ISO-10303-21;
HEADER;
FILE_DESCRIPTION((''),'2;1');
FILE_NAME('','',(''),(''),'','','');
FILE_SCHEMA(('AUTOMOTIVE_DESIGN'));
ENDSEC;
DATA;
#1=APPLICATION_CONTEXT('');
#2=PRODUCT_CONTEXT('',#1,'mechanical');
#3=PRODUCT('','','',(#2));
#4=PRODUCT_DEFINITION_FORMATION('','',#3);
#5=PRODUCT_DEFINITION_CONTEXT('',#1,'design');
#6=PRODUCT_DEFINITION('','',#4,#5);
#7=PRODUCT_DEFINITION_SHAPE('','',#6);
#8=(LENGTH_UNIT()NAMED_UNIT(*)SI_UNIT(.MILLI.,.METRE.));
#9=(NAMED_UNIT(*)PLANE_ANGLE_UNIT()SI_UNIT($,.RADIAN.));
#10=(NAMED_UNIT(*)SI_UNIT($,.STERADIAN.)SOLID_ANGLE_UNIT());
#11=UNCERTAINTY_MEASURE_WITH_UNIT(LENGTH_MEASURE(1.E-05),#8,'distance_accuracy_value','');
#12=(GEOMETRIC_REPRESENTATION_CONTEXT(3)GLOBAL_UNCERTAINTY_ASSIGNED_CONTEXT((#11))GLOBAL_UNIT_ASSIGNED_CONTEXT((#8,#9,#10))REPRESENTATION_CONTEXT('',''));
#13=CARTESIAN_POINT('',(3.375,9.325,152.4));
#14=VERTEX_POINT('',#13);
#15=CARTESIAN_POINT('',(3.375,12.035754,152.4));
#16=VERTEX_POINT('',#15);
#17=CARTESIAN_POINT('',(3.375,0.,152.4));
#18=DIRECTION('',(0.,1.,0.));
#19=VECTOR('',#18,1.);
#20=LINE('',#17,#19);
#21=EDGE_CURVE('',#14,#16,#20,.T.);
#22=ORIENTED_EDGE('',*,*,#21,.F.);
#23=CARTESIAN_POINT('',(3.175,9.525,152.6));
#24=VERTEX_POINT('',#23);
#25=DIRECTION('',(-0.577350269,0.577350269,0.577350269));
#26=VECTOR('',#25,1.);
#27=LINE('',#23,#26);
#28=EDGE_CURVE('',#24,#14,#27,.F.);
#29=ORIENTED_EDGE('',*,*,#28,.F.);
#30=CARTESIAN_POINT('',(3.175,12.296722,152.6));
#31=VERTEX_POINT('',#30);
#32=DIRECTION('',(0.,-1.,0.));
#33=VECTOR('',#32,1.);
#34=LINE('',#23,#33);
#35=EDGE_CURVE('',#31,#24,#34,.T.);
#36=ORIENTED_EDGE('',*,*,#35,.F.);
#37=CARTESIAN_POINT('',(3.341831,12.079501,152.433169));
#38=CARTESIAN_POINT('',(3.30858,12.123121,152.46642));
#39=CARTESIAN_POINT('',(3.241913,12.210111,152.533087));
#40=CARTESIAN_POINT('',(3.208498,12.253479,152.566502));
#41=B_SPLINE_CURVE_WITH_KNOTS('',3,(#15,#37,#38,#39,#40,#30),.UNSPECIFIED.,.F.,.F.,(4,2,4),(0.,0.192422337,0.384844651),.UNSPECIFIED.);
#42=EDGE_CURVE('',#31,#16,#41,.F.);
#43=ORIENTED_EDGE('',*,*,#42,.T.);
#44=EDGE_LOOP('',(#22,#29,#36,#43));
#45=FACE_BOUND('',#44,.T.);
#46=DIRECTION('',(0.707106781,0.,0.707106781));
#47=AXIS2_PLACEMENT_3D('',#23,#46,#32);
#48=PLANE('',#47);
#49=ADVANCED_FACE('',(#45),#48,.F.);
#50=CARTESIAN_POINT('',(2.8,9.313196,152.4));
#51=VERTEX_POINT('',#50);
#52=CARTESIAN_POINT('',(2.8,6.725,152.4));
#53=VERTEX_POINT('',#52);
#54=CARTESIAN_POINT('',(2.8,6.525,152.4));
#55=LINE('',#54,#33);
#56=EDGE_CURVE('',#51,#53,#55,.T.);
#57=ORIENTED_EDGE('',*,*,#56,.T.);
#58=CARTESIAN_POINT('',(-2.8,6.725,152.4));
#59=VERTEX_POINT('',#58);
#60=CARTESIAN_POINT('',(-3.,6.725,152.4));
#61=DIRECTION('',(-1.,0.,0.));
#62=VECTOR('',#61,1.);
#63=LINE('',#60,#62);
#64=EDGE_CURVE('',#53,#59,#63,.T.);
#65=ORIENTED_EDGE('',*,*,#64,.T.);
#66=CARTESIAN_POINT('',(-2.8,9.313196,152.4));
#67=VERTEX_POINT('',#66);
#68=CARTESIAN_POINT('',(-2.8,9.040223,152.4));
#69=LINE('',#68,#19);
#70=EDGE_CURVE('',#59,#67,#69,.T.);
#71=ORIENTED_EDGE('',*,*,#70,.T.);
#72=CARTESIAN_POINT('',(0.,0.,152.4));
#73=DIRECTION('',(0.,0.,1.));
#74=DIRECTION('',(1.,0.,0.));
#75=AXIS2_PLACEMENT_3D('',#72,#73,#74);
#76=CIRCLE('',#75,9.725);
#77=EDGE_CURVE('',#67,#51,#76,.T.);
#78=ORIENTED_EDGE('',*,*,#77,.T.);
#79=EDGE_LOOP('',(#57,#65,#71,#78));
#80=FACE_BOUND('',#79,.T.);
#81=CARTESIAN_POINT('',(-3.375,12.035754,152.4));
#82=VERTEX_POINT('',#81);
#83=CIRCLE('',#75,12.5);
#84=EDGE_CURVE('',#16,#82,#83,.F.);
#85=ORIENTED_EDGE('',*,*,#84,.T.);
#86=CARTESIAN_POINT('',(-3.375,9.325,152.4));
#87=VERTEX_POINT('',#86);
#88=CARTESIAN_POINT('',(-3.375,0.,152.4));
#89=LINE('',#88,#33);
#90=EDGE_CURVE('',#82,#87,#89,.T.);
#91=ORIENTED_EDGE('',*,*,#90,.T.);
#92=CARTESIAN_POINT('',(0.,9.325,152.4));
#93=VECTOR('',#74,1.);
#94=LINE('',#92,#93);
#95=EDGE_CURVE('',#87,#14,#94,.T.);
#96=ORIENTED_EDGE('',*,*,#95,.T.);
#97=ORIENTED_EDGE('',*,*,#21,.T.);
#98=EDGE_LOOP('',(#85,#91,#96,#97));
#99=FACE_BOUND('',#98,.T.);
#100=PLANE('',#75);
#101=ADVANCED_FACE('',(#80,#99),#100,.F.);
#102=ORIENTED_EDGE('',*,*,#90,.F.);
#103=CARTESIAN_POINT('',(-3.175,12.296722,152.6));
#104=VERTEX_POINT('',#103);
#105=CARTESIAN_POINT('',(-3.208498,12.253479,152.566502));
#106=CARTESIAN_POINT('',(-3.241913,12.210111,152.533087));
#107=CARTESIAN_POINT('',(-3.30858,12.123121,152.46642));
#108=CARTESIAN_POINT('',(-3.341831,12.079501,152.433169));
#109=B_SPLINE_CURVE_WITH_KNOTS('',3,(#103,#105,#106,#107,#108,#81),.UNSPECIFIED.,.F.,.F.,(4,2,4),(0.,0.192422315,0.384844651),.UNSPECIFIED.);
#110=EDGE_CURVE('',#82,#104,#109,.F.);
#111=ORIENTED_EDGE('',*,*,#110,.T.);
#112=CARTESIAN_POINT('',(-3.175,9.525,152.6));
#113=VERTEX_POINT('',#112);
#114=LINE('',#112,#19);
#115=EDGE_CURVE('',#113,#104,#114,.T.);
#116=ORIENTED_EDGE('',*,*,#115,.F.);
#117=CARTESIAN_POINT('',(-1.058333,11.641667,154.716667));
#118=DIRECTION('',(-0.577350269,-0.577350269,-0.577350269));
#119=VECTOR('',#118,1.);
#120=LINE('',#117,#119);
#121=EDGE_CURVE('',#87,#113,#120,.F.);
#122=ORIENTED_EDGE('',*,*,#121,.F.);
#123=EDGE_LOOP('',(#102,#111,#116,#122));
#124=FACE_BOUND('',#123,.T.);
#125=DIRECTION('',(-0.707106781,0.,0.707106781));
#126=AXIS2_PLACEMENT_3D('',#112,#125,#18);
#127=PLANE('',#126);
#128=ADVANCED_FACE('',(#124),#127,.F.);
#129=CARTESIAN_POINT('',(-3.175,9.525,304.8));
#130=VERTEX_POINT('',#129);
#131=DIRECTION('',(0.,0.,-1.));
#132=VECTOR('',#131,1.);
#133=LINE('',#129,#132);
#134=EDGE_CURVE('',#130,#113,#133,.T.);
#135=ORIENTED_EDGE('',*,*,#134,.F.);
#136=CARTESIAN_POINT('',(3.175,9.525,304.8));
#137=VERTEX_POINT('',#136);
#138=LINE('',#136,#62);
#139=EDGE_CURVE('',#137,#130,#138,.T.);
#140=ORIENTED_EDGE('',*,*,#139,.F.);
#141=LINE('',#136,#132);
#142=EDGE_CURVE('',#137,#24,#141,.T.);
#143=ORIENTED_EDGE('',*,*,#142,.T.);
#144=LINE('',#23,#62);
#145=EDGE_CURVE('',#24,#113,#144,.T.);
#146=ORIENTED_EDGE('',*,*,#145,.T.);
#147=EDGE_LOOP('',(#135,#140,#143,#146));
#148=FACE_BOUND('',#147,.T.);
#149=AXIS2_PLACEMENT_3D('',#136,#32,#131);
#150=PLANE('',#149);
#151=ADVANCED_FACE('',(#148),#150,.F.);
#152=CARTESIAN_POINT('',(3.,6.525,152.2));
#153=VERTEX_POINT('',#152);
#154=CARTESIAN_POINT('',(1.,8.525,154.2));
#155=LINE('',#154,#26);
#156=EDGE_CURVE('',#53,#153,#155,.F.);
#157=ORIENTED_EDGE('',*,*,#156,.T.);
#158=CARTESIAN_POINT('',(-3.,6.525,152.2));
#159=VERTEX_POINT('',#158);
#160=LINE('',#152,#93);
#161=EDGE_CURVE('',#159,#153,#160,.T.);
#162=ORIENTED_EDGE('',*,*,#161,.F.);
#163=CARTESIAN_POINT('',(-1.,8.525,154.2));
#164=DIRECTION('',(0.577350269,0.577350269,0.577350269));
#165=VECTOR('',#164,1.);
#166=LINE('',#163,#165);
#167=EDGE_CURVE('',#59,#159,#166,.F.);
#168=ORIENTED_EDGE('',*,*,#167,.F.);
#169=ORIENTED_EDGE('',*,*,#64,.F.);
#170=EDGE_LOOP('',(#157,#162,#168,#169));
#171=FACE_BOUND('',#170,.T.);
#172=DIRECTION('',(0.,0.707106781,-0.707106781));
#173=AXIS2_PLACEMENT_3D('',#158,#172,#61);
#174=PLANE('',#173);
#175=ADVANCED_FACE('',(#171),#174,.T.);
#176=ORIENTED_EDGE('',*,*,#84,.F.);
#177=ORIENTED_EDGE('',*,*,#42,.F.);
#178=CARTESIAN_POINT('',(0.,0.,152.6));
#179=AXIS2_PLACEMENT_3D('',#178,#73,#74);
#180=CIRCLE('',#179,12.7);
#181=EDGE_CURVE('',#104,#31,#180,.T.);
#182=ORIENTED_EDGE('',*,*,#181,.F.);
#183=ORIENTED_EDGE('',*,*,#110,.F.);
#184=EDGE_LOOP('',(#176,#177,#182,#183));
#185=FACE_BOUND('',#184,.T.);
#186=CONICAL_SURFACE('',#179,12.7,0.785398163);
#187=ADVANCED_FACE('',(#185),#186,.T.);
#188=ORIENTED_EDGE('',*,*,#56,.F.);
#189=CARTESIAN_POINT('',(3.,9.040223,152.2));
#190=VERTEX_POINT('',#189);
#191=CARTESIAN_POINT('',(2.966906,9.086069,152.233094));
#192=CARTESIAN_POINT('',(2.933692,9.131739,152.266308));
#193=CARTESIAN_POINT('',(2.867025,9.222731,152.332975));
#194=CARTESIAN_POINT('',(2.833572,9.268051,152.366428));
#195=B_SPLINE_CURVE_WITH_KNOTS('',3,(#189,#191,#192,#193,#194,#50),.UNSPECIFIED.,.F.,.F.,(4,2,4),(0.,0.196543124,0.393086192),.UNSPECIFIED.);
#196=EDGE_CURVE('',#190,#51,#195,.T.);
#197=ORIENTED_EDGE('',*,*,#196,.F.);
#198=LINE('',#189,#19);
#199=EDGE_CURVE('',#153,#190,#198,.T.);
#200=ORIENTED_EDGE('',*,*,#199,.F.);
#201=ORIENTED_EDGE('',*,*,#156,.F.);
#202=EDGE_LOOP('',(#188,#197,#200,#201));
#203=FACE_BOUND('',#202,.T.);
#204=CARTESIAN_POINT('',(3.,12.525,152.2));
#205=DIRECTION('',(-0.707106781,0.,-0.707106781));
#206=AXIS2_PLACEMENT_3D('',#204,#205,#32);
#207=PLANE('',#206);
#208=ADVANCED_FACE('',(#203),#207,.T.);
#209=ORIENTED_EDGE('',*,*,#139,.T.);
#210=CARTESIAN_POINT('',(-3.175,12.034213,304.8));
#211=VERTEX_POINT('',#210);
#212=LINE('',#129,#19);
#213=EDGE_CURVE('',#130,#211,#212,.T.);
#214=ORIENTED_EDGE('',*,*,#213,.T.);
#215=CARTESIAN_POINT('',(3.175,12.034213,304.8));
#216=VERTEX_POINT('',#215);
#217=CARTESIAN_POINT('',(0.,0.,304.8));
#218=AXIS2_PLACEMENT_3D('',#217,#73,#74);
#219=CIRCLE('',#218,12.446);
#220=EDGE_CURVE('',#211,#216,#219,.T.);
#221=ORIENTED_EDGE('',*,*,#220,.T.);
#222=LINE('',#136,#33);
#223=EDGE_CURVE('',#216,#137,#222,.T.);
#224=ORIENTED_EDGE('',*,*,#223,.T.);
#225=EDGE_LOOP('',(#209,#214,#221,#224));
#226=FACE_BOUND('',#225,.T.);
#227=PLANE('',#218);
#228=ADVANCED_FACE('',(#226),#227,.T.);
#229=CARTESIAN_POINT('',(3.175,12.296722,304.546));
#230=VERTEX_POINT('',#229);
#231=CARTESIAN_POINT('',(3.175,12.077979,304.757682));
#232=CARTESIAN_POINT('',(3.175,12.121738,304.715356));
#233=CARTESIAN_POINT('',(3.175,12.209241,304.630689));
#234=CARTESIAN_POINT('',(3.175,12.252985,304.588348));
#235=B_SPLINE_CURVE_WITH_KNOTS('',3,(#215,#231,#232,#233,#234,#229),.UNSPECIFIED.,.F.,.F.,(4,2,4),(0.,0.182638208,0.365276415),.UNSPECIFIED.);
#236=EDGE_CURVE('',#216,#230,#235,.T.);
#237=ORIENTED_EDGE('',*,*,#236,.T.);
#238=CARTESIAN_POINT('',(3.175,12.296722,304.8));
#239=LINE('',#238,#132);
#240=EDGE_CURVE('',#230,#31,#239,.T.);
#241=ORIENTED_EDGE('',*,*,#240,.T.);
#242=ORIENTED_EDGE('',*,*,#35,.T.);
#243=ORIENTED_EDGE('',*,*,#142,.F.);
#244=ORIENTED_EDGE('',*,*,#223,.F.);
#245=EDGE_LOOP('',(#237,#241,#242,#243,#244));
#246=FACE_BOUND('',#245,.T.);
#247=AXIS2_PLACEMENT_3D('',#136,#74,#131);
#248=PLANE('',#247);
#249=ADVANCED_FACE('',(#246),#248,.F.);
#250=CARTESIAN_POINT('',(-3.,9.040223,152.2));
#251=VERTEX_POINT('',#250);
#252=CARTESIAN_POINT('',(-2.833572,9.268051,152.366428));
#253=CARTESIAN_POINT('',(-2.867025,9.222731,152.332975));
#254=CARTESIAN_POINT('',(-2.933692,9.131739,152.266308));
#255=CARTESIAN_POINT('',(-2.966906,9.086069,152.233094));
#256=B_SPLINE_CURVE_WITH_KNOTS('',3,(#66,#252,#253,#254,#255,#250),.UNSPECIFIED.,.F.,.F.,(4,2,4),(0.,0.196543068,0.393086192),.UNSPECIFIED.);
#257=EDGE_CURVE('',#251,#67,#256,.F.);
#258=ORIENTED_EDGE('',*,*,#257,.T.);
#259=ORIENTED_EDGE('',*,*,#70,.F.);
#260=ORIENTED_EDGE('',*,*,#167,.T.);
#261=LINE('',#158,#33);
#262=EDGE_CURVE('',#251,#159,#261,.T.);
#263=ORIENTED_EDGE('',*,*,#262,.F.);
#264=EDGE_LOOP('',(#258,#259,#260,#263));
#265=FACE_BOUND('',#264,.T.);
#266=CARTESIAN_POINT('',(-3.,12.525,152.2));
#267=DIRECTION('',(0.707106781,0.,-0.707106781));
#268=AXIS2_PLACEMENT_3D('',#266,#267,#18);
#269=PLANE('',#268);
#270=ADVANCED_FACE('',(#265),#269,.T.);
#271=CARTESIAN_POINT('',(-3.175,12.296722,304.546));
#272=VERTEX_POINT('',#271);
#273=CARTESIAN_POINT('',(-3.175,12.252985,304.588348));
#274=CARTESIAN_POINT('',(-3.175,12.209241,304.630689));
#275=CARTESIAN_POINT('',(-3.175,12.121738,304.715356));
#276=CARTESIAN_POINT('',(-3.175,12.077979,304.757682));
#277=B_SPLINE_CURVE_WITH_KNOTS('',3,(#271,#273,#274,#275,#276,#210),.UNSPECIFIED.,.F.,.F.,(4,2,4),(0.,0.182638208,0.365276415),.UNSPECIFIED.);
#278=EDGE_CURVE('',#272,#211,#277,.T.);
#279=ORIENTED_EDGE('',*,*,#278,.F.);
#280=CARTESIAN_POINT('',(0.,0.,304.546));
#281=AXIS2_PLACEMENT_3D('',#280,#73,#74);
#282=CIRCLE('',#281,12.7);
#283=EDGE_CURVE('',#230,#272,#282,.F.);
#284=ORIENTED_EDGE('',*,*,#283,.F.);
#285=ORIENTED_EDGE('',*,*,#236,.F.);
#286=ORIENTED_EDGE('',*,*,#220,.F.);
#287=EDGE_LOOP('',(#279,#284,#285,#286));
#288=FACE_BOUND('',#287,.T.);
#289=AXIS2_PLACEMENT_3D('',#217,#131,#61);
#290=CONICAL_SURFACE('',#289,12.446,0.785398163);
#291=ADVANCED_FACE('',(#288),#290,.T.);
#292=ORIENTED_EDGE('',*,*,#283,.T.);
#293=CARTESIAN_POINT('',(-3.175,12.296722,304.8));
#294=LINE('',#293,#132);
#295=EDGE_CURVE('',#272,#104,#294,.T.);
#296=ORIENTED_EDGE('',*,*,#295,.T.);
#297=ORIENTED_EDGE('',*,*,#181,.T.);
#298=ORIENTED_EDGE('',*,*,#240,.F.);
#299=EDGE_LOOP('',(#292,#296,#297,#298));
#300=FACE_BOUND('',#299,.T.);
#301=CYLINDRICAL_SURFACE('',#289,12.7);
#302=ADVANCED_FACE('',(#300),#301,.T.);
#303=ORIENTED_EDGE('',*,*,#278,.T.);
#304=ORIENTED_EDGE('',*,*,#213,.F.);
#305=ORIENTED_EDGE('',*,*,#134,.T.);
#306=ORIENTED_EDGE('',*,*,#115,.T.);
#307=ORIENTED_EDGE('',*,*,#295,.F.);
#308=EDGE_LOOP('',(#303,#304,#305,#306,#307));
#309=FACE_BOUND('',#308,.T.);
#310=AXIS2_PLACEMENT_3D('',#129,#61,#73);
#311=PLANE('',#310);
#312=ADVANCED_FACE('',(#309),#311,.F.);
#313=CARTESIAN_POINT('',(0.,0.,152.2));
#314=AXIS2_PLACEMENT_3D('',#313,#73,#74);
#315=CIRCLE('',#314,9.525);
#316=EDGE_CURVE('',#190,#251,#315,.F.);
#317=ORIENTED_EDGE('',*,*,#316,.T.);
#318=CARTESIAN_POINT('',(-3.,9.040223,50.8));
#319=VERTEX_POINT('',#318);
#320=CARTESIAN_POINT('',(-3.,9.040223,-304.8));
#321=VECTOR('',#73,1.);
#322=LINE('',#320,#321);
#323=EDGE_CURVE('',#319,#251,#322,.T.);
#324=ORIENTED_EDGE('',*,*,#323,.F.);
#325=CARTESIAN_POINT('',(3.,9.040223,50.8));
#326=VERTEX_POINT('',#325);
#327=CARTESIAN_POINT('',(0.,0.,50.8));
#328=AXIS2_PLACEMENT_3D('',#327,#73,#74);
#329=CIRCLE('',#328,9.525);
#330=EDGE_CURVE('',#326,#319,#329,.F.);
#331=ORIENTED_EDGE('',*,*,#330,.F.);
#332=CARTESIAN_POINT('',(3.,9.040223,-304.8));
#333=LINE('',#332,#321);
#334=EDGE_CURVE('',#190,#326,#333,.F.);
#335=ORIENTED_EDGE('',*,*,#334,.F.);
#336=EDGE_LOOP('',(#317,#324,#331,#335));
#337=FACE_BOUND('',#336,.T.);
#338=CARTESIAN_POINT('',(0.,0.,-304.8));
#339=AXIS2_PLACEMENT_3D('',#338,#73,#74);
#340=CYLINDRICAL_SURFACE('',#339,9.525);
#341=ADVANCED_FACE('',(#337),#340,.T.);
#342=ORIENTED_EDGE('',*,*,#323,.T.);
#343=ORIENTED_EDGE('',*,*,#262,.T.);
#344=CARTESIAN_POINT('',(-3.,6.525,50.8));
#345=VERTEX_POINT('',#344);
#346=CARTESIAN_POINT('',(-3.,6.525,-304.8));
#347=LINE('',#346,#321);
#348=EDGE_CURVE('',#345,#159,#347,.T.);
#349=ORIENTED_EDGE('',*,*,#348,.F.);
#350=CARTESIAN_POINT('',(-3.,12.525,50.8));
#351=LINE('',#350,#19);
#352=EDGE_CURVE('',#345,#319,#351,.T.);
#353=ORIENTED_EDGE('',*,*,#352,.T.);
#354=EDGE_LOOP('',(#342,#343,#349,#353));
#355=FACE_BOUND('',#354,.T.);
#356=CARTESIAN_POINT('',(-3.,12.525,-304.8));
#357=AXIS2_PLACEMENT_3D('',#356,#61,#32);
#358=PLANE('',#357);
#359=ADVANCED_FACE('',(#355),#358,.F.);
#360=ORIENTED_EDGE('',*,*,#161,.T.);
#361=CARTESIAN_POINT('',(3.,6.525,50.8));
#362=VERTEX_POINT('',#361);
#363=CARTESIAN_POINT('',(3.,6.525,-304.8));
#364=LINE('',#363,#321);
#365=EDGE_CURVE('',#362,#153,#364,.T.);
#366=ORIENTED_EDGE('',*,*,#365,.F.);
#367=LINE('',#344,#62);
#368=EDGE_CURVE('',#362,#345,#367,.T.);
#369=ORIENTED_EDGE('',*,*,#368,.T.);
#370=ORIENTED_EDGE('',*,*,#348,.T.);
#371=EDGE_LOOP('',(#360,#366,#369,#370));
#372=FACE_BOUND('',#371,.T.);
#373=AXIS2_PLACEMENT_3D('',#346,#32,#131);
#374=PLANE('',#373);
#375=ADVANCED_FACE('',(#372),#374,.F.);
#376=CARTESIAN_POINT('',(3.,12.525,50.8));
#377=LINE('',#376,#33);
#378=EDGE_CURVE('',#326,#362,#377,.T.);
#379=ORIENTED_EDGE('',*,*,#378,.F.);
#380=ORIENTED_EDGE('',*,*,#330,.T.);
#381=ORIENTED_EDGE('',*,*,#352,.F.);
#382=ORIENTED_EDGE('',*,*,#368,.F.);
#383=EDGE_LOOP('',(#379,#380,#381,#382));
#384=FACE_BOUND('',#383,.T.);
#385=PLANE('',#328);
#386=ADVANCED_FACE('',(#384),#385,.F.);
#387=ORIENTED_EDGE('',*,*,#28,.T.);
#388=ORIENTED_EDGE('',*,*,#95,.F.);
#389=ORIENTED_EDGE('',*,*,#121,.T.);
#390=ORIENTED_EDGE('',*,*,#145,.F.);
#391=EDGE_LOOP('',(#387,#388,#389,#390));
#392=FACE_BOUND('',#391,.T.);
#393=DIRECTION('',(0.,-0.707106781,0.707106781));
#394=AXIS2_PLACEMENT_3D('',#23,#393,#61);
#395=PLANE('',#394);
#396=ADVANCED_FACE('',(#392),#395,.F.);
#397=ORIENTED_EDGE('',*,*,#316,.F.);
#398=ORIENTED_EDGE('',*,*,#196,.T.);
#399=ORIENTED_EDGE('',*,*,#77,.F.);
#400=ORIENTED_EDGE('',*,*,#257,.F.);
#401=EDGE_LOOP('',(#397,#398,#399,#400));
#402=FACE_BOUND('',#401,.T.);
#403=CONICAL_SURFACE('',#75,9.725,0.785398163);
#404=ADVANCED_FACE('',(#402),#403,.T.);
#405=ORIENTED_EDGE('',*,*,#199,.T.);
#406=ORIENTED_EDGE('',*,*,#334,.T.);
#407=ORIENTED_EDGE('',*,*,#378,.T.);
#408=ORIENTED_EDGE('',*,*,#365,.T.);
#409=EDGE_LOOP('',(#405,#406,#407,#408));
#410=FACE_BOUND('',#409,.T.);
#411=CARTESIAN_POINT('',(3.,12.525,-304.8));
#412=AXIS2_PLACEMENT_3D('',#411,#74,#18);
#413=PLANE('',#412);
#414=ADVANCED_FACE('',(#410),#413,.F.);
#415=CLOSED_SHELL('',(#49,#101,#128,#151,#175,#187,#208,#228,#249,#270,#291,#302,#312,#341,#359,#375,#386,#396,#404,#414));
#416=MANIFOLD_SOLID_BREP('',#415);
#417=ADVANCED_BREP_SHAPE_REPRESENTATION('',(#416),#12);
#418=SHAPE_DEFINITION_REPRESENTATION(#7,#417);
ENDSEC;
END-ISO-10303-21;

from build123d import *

# Parameters (mm, degrees)
BOSS_EXTRUDE1_DEPTH      = 304.8
BOSS_EXTRUDE1_DEPTH_BACK = 304.8
CHAMFER1_SIZE            = 0.254
SKETCH5_R                = 12.7
SKETCH5_R_2              = 9.525
CUT_EXTRUDE1_DEPTH       = 458.55264178
SKETCH6_W                = 6
SKETCH6_H                = 6
CUT_EXTRUDE2_DEPTH       = 458.55264178
CHAMFER2_SIZE            = 0.2
SKETCH7_R                = 63.5
CUT_EXTRUDE3_DEPTH       = 357.053282529


with BuildPart() as part:
    # Sketch3 → Boss-Extrude1 (new, two sides: drawn at the far end of the back side and taken through both)
    with BuildSketch(Plane.XY.offset(-BOSS_EXTRUDE1_DEPTH_BACK)):
        with BuildLine():
            Line((-3.175, 9.525), (-3.175, 12.296722124))
            ThreePointArc((-3.175, 12.296722124), (0, -12.7), (3.175, 12.296722124))
            Line((3.175, 12.296722124), (3.175, 9.525))
            Line((3.175, 9.525), (-3.175, 9.525))
        make_face()
    extrude(amount=BOSS_EXTRUDE1_DEPTH + BOSS_EXTRUDE1_DEPTH_BACK)

    # Chamfer1
    chamfer1_edges = [part.edges().sort_by_distance(p)[0] for p in [
        (0, -12.7, -304.8),
        (0, -12.7, 304.8),
    ]]
    chamfer(chamfer1_edges, length=CHAMFER1_SIZE)

    # Sketch5 → Cut-Extrude1 (cut, through all)
    with BuildSketch(Plane.XY.offset(152.4)):
        Circle(SKETCH5_R)
        Circle(SKETCH5_R_2, mode=Mode.SUBTRACT)
    extrude(amount=-CUT_EXTRUDE1_DEPTH, mode=Mode.SUBTRACT)

    # Sketch6 → Cut-Extrude2 (cut, through all)
    with BuildSketch(Plane.XY.offset(152.4)):
        with Locations((0, 9.525)):
            Rectangle(SKETCH6_W, SKETCH6_H)
    extrude(amount=-CUT_EXTRUDE2_DEPTH, mode=Mode.SUBTRACT)

    # Chamfer2
    chamfer2_edges = [part.edges().sort_by_distance(p)[0] for p in [
        (-3.175, 10.910861062, 152.4),
        (0, -12.7, 152.4),
        (3.175, 10.910861062, 152.4),
        (0, 9.525, 152.4),
        (0, -9.525, 152.4),
        (-3, 7.782611309, 152.4),
        (0, 6.525, 152.4),
        (3, 7.782611309, 152.4),
    ]]
    chamfer(chamfer2_edges, length=CHAMFER2_SIZE)

    # Sketch7 → Cut-Extrude3 (cut, through all)
    with BuildSketch(Plane.XY.offset(50.8)):
        Circle(SKETCH7_R)
    extrude(amount=-CUT_EXTRUDE3_DEPTH, mode=Mode.SUBTRACT)


solid = part.part
